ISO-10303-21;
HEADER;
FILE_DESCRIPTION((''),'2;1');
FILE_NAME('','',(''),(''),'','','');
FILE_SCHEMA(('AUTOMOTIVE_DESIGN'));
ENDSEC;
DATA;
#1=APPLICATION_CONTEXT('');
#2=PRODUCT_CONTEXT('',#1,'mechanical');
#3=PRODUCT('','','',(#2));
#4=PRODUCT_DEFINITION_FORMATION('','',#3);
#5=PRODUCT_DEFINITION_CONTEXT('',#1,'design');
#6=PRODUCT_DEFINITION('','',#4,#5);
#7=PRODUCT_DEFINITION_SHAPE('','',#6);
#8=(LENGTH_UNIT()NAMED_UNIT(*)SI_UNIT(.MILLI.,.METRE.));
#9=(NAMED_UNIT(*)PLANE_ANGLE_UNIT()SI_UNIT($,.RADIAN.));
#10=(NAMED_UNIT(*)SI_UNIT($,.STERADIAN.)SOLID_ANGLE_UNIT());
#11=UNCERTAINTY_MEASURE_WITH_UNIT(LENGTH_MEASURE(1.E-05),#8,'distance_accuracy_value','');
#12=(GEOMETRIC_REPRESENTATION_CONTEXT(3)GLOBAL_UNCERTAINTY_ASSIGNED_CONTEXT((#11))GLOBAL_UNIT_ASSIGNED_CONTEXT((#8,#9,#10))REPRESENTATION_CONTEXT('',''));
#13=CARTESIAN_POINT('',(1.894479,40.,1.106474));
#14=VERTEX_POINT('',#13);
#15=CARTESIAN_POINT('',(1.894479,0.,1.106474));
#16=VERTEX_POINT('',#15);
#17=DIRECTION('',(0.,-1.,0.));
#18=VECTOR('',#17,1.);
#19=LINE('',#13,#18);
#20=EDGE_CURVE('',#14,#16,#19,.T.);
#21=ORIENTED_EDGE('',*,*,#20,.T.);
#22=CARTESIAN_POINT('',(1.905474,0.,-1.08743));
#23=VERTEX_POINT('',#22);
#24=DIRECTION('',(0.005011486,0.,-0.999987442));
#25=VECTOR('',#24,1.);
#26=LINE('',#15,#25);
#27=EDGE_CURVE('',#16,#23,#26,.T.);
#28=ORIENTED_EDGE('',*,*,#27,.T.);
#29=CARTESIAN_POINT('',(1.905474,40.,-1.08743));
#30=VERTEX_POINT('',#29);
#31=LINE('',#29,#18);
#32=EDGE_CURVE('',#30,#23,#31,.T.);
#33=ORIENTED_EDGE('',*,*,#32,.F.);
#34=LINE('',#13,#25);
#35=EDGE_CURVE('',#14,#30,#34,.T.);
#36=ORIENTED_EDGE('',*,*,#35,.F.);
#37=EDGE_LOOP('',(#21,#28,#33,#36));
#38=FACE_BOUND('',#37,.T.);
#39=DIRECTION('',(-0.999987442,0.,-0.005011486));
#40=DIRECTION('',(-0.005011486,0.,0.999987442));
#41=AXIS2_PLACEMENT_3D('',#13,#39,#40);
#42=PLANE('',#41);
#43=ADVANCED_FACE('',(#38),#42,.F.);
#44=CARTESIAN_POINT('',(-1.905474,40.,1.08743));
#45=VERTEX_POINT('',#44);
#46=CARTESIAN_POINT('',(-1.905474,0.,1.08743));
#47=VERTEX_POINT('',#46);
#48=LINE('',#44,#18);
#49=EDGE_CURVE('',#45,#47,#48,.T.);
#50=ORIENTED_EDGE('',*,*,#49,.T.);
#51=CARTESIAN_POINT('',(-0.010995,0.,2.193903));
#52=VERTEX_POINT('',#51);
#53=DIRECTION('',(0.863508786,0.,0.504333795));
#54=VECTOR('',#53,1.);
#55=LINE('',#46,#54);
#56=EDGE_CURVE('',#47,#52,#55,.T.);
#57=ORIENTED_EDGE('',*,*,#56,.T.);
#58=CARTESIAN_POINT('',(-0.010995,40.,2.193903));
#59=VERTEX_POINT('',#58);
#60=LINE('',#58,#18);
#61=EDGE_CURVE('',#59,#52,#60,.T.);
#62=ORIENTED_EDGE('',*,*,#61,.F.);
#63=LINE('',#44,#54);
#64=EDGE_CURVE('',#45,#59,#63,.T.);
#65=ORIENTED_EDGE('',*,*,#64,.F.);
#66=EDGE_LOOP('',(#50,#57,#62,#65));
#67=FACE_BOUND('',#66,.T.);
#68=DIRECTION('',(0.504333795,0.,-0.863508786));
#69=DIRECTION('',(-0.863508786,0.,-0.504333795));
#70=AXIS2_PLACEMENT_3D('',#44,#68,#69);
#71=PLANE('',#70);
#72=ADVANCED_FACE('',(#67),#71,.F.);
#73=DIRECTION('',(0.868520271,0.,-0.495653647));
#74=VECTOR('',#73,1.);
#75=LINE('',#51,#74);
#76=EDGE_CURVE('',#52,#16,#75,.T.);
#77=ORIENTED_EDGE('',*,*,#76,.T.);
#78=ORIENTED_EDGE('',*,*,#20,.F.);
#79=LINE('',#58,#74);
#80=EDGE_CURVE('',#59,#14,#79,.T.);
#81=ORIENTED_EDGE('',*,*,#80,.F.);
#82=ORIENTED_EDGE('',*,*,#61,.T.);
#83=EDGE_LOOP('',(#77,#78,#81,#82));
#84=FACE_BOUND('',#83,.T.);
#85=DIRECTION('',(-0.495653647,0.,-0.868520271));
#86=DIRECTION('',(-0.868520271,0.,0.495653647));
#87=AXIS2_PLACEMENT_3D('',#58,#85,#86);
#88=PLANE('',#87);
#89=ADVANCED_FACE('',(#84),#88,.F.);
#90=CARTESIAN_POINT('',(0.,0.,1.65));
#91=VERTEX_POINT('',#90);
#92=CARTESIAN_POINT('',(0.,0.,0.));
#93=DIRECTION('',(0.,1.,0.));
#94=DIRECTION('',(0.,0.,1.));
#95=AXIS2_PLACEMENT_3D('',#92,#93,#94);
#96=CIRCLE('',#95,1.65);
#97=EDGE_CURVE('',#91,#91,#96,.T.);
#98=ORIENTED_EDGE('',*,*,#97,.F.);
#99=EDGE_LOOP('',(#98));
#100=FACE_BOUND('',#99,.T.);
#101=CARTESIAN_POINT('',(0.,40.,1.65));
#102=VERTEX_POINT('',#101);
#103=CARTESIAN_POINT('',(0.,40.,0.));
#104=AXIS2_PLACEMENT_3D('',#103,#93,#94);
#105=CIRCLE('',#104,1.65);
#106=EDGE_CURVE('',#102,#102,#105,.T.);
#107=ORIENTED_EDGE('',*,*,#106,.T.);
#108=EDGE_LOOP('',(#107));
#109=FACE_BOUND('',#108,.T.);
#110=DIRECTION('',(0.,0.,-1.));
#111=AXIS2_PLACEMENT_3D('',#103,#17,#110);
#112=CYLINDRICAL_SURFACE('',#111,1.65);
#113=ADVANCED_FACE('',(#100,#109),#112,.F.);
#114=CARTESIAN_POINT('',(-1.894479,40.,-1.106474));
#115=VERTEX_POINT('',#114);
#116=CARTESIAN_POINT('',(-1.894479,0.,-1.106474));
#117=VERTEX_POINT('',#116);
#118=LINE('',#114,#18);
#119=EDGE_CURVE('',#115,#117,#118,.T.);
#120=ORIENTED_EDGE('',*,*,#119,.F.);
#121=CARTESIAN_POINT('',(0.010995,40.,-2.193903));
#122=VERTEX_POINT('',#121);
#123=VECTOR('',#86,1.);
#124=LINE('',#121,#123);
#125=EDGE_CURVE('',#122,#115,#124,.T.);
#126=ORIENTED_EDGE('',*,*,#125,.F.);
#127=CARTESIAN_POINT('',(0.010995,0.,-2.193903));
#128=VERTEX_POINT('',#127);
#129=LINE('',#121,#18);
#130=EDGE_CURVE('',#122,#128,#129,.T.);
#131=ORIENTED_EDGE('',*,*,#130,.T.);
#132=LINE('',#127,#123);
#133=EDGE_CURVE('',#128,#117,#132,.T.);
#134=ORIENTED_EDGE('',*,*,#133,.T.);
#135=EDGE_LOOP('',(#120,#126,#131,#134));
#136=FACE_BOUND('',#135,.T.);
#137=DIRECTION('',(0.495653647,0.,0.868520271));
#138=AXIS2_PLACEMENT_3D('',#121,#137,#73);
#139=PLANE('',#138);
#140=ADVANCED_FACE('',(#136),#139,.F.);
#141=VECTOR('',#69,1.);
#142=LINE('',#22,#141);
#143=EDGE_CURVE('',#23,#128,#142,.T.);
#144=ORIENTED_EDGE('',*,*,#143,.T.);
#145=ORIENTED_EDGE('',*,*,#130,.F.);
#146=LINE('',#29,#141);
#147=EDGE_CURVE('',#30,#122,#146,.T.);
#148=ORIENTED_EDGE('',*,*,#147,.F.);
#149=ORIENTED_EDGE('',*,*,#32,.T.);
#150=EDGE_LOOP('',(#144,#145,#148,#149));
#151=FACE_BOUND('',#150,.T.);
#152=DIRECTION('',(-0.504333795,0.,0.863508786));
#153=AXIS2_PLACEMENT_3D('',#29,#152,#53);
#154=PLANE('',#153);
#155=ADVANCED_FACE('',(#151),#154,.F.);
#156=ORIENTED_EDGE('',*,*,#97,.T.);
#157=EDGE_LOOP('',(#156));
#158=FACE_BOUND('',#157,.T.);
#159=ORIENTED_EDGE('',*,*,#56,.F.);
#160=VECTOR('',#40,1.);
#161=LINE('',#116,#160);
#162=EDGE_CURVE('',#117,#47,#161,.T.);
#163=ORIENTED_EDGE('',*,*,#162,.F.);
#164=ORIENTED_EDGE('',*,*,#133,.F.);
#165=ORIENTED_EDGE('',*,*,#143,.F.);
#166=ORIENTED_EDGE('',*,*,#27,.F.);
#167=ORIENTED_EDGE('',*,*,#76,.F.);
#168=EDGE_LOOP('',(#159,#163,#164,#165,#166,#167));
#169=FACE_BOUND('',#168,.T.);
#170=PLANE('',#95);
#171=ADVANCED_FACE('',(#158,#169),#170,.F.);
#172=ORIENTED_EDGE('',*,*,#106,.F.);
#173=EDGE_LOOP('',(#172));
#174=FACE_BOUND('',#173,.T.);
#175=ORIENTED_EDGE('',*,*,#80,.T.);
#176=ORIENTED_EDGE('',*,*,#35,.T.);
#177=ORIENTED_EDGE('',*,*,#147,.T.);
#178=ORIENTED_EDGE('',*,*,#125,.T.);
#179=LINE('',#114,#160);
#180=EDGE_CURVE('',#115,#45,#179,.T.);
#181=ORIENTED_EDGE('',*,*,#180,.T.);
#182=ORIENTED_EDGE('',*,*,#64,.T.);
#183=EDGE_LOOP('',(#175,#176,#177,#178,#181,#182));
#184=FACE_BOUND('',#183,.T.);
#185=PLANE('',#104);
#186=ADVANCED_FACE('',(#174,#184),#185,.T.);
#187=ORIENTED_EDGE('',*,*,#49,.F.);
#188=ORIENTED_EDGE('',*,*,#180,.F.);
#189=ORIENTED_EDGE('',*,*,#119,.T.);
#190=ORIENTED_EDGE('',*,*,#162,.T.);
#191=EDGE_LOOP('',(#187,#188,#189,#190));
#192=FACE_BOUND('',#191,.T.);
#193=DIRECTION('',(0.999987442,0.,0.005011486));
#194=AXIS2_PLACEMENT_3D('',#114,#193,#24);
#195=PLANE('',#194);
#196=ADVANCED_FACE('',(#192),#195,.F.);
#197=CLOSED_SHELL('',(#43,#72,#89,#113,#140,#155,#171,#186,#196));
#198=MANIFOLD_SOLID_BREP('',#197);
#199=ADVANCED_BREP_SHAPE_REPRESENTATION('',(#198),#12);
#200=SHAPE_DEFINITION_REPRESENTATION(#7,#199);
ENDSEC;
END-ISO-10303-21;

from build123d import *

# Parameters (mm, degrees)
SKETCH1_R           = 1.65
BOSS_EXTRUDE1_DEPTH = 40


with BuildPart() as part:
    # Sketch1 → Boss-Extrude1 (new body)
    with BuildSketch(Plane(origin=(0, 0, 0), x_dir=(1, 0, 0), z_dir=(0, 1, 0))):
        Polygon((1.894478714, -1.106473559), (1.905473568, 1.087429913), (0.010994854, 2.193903472), (-1.894478714, 1.106473559), (-1.905473568, -1.087429913), (-0.010994854, -2.193903472), align=None)
        Circle(SKETCH1_R, mode=Mode.SUBTRACT)
    extrude(amount=BOSS_EXTRUDE1_DEPTH)


solid = part.part
